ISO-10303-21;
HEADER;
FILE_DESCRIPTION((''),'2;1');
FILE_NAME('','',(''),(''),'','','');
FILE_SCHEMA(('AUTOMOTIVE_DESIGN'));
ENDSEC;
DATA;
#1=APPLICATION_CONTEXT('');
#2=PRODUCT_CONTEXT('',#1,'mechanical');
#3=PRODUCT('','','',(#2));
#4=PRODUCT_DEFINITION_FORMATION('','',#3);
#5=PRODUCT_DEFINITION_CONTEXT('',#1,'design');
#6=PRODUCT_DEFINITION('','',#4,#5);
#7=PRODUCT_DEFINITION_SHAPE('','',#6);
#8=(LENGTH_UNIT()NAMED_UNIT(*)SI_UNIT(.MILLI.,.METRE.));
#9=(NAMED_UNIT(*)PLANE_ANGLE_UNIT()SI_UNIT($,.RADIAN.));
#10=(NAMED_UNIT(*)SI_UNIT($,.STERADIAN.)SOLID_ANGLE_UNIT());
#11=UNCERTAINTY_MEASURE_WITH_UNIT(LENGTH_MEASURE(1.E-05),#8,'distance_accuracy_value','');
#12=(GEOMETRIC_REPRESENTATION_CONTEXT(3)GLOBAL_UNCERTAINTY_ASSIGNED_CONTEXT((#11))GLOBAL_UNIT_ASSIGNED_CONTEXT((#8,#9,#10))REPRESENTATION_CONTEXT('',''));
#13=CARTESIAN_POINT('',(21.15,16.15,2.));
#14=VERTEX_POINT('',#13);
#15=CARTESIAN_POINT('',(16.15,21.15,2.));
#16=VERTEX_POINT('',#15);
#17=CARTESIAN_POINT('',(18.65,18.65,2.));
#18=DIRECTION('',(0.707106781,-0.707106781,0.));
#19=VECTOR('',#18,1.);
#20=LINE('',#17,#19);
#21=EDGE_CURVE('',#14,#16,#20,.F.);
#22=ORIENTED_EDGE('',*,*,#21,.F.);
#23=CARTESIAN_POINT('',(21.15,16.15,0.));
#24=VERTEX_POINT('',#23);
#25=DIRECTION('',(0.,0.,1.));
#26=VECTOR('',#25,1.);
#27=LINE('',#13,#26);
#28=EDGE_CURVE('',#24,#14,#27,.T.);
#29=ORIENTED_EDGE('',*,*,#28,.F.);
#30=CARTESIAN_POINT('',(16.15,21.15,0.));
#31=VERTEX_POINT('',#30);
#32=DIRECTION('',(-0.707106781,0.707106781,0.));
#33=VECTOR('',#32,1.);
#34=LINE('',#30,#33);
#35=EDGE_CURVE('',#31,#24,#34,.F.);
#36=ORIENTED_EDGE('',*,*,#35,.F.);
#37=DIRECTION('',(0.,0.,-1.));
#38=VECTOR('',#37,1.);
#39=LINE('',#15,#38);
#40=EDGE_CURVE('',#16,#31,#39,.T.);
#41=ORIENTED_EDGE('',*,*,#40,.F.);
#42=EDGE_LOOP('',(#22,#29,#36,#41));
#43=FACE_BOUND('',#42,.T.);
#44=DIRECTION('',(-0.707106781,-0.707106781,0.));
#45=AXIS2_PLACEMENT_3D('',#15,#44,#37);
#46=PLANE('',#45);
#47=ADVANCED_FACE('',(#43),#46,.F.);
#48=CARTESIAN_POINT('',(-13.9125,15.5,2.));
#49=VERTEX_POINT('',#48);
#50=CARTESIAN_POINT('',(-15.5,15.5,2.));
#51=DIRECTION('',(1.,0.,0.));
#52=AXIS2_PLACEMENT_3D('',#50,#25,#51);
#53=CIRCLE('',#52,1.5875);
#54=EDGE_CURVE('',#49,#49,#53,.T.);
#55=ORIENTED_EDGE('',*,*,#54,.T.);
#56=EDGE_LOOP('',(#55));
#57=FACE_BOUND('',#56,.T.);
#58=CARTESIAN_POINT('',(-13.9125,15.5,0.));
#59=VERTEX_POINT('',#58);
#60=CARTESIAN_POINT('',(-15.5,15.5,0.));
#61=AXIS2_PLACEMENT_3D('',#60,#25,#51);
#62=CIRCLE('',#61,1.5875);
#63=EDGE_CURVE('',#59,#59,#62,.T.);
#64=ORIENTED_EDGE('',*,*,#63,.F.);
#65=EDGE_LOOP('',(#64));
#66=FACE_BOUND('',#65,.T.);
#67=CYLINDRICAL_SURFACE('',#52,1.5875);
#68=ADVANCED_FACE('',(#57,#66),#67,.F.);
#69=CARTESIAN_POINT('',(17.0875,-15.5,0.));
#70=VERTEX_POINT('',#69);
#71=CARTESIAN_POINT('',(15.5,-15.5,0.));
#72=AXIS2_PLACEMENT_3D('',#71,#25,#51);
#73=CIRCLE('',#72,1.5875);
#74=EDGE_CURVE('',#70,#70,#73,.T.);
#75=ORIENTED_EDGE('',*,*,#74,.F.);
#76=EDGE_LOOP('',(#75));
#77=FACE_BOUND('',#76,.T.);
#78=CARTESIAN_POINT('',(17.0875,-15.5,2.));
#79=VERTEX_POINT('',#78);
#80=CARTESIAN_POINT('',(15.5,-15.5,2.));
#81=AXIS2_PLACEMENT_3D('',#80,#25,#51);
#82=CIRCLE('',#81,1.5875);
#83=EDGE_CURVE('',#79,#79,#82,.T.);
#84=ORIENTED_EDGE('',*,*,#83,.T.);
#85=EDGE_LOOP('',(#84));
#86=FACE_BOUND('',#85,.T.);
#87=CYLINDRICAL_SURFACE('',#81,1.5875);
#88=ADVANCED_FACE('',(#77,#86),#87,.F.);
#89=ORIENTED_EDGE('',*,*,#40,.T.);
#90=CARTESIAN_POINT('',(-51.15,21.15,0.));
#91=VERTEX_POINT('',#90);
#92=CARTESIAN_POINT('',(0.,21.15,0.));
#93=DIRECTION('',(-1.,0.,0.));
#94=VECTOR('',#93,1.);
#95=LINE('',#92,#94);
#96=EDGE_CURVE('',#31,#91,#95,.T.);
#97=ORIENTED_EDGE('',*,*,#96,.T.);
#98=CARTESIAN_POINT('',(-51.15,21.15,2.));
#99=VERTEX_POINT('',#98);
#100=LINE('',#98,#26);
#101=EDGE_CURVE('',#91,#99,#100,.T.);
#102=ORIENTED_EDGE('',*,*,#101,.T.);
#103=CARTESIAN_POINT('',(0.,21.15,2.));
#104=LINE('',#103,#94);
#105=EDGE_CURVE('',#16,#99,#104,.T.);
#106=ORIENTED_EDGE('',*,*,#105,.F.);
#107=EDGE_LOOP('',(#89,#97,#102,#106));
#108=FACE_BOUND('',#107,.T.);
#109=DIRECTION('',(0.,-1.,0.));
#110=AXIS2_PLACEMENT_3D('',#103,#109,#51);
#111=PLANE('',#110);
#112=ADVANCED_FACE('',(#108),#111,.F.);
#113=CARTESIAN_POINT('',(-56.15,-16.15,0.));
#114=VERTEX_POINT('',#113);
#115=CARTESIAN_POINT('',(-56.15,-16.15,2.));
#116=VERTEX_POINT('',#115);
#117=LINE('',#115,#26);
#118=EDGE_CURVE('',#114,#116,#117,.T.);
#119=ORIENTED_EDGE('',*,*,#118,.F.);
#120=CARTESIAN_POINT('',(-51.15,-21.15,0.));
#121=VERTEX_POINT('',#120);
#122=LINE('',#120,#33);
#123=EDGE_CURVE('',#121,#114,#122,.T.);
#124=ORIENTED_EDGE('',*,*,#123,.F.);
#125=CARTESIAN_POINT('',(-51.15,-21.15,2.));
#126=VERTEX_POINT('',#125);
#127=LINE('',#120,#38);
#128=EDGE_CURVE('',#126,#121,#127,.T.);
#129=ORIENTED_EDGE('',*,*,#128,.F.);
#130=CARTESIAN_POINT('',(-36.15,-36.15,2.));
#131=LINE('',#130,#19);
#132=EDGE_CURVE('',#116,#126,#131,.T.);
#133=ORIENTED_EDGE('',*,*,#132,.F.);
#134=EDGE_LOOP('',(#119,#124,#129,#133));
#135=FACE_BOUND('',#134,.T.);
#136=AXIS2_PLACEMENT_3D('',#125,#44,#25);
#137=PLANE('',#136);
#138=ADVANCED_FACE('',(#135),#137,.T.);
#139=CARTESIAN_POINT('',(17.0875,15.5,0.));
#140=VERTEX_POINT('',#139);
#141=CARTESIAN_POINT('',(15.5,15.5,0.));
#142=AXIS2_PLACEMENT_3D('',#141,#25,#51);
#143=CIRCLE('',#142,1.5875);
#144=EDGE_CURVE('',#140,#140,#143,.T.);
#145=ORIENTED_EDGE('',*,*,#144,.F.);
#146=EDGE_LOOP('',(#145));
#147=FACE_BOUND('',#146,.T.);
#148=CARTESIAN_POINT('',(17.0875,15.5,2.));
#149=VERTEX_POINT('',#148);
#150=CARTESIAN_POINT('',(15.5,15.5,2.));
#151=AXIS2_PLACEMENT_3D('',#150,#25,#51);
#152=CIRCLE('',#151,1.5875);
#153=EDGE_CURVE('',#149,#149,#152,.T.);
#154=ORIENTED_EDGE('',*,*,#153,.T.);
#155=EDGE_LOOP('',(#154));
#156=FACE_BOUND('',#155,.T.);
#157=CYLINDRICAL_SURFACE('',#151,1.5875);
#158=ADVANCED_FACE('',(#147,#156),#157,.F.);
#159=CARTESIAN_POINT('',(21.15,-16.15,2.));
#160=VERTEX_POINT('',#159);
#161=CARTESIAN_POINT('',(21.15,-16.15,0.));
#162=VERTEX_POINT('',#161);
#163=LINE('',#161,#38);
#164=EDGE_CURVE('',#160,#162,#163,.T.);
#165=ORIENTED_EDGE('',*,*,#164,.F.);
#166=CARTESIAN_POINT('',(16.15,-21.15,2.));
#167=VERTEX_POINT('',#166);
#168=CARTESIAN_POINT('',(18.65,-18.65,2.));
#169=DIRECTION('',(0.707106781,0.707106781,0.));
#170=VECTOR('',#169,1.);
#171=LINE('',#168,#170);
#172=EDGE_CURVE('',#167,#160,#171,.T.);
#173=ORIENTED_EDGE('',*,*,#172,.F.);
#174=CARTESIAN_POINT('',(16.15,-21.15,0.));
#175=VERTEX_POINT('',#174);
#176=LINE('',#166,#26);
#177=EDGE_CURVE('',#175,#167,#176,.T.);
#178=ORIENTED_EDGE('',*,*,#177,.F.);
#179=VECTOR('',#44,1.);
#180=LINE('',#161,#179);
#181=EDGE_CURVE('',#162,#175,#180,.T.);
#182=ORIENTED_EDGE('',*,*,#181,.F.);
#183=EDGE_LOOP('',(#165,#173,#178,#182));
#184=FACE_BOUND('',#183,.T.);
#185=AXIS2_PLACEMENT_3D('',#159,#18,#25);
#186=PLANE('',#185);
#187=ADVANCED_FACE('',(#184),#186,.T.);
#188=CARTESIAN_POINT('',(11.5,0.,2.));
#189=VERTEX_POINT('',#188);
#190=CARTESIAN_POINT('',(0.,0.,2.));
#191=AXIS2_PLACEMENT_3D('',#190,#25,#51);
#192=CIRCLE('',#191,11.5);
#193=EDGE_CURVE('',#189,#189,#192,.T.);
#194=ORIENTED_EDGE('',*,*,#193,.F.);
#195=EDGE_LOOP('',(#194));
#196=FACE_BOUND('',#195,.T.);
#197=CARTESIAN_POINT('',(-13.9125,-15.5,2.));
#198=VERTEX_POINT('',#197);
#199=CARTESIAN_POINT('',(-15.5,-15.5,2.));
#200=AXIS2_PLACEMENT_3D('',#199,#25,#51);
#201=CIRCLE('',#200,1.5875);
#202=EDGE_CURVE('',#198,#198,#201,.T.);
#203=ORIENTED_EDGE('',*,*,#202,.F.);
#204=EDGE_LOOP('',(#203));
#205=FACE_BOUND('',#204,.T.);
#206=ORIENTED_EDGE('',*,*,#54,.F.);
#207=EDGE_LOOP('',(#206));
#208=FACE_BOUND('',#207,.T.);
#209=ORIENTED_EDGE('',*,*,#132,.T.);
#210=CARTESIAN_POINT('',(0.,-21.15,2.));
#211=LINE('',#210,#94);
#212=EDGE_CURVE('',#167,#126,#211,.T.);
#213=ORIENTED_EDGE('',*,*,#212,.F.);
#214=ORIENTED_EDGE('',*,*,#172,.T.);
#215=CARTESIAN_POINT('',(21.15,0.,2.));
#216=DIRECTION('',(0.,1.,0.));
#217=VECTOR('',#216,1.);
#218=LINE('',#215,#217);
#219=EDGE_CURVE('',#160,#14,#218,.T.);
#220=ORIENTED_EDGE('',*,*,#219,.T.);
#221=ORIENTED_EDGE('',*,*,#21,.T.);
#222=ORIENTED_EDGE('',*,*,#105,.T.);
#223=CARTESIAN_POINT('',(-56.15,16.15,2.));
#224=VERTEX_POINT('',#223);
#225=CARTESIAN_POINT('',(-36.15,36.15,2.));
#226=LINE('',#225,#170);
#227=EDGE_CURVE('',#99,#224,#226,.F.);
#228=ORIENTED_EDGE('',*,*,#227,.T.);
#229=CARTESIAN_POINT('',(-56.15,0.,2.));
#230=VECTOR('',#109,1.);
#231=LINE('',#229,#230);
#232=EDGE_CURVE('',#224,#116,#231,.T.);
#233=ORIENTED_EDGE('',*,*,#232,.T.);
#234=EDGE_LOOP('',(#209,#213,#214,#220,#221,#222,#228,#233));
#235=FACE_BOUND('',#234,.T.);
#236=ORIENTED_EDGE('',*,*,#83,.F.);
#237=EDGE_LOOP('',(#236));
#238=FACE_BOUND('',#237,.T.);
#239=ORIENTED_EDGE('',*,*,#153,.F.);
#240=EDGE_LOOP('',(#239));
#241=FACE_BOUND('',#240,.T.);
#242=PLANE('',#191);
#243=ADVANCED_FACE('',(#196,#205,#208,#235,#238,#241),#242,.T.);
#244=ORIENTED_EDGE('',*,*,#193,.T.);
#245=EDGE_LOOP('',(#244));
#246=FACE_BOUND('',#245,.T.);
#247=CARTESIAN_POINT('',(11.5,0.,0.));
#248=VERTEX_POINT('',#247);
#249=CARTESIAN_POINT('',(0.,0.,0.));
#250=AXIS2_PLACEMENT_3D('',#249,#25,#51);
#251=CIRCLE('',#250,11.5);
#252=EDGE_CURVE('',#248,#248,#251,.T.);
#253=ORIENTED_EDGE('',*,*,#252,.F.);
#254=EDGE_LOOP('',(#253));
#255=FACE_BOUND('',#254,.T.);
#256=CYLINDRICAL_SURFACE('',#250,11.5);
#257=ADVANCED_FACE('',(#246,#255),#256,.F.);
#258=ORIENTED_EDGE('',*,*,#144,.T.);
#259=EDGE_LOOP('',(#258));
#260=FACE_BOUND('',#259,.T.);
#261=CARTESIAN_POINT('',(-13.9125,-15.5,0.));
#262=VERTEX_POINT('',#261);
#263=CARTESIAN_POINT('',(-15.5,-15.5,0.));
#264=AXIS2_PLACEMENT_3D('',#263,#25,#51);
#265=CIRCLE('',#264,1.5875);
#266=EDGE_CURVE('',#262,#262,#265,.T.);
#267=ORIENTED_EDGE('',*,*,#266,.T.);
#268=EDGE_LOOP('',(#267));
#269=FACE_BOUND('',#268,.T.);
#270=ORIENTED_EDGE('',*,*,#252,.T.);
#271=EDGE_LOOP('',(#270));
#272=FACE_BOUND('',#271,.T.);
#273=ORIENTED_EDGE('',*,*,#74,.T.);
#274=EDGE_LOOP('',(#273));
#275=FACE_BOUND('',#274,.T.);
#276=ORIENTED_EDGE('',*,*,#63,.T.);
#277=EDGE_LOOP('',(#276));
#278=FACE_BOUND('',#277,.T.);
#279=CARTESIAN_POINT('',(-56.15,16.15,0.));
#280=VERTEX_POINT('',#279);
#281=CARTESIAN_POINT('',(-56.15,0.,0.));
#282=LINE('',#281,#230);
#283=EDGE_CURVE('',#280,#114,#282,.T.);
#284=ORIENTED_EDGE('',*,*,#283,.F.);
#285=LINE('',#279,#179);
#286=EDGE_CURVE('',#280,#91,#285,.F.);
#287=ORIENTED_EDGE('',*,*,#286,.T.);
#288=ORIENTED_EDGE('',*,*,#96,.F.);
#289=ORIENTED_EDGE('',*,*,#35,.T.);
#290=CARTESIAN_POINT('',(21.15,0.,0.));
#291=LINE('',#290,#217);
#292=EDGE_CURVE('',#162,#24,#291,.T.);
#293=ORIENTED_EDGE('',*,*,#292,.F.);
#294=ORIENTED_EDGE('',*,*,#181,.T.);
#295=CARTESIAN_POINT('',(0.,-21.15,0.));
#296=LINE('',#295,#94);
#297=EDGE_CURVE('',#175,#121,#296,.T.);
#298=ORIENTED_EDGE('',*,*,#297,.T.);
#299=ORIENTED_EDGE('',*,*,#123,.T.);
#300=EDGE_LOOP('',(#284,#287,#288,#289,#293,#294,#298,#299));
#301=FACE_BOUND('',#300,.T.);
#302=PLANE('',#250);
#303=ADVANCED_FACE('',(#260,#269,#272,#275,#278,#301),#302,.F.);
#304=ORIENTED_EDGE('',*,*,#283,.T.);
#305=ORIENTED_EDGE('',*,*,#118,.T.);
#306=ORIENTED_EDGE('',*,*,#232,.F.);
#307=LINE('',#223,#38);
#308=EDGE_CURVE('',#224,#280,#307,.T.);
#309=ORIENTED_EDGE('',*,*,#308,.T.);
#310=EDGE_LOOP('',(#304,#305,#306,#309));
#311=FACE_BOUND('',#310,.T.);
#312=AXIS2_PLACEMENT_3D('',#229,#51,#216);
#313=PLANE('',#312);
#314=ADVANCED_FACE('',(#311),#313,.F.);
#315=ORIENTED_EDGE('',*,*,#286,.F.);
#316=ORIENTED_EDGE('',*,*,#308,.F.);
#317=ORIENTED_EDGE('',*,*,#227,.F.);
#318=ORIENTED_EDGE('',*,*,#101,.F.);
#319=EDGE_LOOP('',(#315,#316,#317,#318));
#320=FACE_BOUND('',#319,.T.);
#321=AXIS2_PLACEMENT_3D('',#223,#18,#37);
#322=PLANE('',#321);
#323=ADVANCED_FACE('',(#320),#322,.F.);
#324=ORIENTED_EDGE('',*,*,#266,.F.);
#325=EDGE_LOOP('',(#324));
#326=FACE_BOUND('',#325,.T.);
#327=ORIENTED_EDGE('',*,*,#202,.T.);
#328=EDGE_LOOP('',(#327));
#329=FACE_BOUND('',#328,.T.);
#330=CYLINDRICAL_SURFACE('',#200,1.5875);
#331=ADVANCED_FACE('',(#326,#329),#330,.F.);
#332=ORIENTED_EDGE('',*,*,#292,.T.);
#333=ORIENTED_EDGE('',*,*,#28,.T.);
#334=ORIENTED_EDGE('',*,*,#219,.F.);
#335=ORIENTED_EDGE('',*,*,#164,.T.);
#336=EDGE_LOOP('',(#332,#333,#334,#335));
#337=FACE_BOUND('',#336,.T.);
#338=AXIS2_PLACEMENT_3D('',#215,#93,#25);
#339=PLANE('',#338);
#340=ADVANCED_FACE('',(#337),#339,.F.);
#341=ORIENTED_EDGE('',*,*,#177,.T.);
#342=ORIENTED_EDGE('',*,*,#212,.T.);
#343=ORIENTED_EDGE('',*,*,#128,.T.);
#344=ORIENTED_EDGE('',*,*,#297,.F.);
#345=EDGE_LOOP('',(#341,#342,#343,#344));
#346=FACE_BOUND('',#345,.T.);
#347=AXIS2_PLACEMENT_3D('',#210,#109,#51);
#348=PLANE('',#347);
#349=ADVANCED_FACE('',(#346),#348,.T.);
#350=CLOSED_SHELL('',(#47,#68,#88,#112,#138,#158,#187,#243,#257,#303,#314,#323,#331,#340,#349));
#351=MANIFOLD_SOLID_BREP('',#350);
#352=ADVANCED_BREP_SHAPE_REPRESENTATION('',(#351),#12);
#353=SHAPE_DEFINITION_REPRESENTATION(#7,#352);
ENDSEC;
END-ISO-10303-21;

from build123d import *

# Parameters (mm, degrees)
SKETCH1_W                        = 35
SKETCH1_H                        = 42.3
SKETCH1_W_2                      = 42.3
BOSS_EXTRUDE1_DEPTH              = 2
F_1_8_0_125_DIAMETER_HOLE1_D     = 3.175
F_1_8_0_125_DIAMETER_HOLE1_DEPTH = 4.5
F_1_8_0_125_DIAMETER_HOLE1_TIP   = 0.953866233
SKETCH4_R                        = 11.5
CUT_EXTRUDE1_DEPTH               = 2
CHAMFER1_SIZE                    = 5


with BuildPart() as part:
    # Sketch1 → Boss-Extrude1 (new body)
    with BuildSketch(Plane.XY):
        with Locations((-38.65, 0)):
            Rectangle(SKETCH1_W, SKETCH1_H)
        Rectangle(SKETCH1_W_2, SKETCH1_H)
    extrude(amount=BOSS_EXTRUDE1_DEPTH)

    # 1/8 (0.125) Diameter Hole1
    with Locations(Plane.XY.offset(2)):
        with Locations((-15.5, 15.5), (15.5, 15.5), (15.5, -15.5), (-15.5, -15.5)):
            Hole(F_1_8_0_125_DIAMETER_HOLE1_D / 2, depth=F_1_8_0_125_DIAMETER_HOLE1_DEPTH)
            with Locations((0, 0, -(F_1_8_0_125_DIAMETER_HOLE1_DEPTH + F_1_8_0_125_DIAMETER_HOLE1_TIP / 2))):  # 118° drill point
                Cone(0, F_1_8_0_125_DIAMETER_HOLE1_D / 2, F_1_8_0_125_DIAMETER_HOLE1_TIP, mode=Mode.SUBTRACT)

    # Sketch4 → Cut-Extrude1 (cut)
    with BuildSketch(Plane.XY.offset(2)):
        Circle(SKETCH4_R)
    extrude(amount=-CUT_EXTRUDE1_DEPTH, mode=Mode.SUBTRACT)

    # Chamfer1
    chamfer1_edges = [part.edges().sort_by_distance(p)[0] for p in [
        (21.15, 21.15, 1),
        (21.15, -21.15, 1),
        (-56.15, -21.15, 1),
        (-56.15, 21.15, 1),
    ]]
    chamfer(chamfer1_edges, length=CHAMFER1_SIZE)


solid = part.part
